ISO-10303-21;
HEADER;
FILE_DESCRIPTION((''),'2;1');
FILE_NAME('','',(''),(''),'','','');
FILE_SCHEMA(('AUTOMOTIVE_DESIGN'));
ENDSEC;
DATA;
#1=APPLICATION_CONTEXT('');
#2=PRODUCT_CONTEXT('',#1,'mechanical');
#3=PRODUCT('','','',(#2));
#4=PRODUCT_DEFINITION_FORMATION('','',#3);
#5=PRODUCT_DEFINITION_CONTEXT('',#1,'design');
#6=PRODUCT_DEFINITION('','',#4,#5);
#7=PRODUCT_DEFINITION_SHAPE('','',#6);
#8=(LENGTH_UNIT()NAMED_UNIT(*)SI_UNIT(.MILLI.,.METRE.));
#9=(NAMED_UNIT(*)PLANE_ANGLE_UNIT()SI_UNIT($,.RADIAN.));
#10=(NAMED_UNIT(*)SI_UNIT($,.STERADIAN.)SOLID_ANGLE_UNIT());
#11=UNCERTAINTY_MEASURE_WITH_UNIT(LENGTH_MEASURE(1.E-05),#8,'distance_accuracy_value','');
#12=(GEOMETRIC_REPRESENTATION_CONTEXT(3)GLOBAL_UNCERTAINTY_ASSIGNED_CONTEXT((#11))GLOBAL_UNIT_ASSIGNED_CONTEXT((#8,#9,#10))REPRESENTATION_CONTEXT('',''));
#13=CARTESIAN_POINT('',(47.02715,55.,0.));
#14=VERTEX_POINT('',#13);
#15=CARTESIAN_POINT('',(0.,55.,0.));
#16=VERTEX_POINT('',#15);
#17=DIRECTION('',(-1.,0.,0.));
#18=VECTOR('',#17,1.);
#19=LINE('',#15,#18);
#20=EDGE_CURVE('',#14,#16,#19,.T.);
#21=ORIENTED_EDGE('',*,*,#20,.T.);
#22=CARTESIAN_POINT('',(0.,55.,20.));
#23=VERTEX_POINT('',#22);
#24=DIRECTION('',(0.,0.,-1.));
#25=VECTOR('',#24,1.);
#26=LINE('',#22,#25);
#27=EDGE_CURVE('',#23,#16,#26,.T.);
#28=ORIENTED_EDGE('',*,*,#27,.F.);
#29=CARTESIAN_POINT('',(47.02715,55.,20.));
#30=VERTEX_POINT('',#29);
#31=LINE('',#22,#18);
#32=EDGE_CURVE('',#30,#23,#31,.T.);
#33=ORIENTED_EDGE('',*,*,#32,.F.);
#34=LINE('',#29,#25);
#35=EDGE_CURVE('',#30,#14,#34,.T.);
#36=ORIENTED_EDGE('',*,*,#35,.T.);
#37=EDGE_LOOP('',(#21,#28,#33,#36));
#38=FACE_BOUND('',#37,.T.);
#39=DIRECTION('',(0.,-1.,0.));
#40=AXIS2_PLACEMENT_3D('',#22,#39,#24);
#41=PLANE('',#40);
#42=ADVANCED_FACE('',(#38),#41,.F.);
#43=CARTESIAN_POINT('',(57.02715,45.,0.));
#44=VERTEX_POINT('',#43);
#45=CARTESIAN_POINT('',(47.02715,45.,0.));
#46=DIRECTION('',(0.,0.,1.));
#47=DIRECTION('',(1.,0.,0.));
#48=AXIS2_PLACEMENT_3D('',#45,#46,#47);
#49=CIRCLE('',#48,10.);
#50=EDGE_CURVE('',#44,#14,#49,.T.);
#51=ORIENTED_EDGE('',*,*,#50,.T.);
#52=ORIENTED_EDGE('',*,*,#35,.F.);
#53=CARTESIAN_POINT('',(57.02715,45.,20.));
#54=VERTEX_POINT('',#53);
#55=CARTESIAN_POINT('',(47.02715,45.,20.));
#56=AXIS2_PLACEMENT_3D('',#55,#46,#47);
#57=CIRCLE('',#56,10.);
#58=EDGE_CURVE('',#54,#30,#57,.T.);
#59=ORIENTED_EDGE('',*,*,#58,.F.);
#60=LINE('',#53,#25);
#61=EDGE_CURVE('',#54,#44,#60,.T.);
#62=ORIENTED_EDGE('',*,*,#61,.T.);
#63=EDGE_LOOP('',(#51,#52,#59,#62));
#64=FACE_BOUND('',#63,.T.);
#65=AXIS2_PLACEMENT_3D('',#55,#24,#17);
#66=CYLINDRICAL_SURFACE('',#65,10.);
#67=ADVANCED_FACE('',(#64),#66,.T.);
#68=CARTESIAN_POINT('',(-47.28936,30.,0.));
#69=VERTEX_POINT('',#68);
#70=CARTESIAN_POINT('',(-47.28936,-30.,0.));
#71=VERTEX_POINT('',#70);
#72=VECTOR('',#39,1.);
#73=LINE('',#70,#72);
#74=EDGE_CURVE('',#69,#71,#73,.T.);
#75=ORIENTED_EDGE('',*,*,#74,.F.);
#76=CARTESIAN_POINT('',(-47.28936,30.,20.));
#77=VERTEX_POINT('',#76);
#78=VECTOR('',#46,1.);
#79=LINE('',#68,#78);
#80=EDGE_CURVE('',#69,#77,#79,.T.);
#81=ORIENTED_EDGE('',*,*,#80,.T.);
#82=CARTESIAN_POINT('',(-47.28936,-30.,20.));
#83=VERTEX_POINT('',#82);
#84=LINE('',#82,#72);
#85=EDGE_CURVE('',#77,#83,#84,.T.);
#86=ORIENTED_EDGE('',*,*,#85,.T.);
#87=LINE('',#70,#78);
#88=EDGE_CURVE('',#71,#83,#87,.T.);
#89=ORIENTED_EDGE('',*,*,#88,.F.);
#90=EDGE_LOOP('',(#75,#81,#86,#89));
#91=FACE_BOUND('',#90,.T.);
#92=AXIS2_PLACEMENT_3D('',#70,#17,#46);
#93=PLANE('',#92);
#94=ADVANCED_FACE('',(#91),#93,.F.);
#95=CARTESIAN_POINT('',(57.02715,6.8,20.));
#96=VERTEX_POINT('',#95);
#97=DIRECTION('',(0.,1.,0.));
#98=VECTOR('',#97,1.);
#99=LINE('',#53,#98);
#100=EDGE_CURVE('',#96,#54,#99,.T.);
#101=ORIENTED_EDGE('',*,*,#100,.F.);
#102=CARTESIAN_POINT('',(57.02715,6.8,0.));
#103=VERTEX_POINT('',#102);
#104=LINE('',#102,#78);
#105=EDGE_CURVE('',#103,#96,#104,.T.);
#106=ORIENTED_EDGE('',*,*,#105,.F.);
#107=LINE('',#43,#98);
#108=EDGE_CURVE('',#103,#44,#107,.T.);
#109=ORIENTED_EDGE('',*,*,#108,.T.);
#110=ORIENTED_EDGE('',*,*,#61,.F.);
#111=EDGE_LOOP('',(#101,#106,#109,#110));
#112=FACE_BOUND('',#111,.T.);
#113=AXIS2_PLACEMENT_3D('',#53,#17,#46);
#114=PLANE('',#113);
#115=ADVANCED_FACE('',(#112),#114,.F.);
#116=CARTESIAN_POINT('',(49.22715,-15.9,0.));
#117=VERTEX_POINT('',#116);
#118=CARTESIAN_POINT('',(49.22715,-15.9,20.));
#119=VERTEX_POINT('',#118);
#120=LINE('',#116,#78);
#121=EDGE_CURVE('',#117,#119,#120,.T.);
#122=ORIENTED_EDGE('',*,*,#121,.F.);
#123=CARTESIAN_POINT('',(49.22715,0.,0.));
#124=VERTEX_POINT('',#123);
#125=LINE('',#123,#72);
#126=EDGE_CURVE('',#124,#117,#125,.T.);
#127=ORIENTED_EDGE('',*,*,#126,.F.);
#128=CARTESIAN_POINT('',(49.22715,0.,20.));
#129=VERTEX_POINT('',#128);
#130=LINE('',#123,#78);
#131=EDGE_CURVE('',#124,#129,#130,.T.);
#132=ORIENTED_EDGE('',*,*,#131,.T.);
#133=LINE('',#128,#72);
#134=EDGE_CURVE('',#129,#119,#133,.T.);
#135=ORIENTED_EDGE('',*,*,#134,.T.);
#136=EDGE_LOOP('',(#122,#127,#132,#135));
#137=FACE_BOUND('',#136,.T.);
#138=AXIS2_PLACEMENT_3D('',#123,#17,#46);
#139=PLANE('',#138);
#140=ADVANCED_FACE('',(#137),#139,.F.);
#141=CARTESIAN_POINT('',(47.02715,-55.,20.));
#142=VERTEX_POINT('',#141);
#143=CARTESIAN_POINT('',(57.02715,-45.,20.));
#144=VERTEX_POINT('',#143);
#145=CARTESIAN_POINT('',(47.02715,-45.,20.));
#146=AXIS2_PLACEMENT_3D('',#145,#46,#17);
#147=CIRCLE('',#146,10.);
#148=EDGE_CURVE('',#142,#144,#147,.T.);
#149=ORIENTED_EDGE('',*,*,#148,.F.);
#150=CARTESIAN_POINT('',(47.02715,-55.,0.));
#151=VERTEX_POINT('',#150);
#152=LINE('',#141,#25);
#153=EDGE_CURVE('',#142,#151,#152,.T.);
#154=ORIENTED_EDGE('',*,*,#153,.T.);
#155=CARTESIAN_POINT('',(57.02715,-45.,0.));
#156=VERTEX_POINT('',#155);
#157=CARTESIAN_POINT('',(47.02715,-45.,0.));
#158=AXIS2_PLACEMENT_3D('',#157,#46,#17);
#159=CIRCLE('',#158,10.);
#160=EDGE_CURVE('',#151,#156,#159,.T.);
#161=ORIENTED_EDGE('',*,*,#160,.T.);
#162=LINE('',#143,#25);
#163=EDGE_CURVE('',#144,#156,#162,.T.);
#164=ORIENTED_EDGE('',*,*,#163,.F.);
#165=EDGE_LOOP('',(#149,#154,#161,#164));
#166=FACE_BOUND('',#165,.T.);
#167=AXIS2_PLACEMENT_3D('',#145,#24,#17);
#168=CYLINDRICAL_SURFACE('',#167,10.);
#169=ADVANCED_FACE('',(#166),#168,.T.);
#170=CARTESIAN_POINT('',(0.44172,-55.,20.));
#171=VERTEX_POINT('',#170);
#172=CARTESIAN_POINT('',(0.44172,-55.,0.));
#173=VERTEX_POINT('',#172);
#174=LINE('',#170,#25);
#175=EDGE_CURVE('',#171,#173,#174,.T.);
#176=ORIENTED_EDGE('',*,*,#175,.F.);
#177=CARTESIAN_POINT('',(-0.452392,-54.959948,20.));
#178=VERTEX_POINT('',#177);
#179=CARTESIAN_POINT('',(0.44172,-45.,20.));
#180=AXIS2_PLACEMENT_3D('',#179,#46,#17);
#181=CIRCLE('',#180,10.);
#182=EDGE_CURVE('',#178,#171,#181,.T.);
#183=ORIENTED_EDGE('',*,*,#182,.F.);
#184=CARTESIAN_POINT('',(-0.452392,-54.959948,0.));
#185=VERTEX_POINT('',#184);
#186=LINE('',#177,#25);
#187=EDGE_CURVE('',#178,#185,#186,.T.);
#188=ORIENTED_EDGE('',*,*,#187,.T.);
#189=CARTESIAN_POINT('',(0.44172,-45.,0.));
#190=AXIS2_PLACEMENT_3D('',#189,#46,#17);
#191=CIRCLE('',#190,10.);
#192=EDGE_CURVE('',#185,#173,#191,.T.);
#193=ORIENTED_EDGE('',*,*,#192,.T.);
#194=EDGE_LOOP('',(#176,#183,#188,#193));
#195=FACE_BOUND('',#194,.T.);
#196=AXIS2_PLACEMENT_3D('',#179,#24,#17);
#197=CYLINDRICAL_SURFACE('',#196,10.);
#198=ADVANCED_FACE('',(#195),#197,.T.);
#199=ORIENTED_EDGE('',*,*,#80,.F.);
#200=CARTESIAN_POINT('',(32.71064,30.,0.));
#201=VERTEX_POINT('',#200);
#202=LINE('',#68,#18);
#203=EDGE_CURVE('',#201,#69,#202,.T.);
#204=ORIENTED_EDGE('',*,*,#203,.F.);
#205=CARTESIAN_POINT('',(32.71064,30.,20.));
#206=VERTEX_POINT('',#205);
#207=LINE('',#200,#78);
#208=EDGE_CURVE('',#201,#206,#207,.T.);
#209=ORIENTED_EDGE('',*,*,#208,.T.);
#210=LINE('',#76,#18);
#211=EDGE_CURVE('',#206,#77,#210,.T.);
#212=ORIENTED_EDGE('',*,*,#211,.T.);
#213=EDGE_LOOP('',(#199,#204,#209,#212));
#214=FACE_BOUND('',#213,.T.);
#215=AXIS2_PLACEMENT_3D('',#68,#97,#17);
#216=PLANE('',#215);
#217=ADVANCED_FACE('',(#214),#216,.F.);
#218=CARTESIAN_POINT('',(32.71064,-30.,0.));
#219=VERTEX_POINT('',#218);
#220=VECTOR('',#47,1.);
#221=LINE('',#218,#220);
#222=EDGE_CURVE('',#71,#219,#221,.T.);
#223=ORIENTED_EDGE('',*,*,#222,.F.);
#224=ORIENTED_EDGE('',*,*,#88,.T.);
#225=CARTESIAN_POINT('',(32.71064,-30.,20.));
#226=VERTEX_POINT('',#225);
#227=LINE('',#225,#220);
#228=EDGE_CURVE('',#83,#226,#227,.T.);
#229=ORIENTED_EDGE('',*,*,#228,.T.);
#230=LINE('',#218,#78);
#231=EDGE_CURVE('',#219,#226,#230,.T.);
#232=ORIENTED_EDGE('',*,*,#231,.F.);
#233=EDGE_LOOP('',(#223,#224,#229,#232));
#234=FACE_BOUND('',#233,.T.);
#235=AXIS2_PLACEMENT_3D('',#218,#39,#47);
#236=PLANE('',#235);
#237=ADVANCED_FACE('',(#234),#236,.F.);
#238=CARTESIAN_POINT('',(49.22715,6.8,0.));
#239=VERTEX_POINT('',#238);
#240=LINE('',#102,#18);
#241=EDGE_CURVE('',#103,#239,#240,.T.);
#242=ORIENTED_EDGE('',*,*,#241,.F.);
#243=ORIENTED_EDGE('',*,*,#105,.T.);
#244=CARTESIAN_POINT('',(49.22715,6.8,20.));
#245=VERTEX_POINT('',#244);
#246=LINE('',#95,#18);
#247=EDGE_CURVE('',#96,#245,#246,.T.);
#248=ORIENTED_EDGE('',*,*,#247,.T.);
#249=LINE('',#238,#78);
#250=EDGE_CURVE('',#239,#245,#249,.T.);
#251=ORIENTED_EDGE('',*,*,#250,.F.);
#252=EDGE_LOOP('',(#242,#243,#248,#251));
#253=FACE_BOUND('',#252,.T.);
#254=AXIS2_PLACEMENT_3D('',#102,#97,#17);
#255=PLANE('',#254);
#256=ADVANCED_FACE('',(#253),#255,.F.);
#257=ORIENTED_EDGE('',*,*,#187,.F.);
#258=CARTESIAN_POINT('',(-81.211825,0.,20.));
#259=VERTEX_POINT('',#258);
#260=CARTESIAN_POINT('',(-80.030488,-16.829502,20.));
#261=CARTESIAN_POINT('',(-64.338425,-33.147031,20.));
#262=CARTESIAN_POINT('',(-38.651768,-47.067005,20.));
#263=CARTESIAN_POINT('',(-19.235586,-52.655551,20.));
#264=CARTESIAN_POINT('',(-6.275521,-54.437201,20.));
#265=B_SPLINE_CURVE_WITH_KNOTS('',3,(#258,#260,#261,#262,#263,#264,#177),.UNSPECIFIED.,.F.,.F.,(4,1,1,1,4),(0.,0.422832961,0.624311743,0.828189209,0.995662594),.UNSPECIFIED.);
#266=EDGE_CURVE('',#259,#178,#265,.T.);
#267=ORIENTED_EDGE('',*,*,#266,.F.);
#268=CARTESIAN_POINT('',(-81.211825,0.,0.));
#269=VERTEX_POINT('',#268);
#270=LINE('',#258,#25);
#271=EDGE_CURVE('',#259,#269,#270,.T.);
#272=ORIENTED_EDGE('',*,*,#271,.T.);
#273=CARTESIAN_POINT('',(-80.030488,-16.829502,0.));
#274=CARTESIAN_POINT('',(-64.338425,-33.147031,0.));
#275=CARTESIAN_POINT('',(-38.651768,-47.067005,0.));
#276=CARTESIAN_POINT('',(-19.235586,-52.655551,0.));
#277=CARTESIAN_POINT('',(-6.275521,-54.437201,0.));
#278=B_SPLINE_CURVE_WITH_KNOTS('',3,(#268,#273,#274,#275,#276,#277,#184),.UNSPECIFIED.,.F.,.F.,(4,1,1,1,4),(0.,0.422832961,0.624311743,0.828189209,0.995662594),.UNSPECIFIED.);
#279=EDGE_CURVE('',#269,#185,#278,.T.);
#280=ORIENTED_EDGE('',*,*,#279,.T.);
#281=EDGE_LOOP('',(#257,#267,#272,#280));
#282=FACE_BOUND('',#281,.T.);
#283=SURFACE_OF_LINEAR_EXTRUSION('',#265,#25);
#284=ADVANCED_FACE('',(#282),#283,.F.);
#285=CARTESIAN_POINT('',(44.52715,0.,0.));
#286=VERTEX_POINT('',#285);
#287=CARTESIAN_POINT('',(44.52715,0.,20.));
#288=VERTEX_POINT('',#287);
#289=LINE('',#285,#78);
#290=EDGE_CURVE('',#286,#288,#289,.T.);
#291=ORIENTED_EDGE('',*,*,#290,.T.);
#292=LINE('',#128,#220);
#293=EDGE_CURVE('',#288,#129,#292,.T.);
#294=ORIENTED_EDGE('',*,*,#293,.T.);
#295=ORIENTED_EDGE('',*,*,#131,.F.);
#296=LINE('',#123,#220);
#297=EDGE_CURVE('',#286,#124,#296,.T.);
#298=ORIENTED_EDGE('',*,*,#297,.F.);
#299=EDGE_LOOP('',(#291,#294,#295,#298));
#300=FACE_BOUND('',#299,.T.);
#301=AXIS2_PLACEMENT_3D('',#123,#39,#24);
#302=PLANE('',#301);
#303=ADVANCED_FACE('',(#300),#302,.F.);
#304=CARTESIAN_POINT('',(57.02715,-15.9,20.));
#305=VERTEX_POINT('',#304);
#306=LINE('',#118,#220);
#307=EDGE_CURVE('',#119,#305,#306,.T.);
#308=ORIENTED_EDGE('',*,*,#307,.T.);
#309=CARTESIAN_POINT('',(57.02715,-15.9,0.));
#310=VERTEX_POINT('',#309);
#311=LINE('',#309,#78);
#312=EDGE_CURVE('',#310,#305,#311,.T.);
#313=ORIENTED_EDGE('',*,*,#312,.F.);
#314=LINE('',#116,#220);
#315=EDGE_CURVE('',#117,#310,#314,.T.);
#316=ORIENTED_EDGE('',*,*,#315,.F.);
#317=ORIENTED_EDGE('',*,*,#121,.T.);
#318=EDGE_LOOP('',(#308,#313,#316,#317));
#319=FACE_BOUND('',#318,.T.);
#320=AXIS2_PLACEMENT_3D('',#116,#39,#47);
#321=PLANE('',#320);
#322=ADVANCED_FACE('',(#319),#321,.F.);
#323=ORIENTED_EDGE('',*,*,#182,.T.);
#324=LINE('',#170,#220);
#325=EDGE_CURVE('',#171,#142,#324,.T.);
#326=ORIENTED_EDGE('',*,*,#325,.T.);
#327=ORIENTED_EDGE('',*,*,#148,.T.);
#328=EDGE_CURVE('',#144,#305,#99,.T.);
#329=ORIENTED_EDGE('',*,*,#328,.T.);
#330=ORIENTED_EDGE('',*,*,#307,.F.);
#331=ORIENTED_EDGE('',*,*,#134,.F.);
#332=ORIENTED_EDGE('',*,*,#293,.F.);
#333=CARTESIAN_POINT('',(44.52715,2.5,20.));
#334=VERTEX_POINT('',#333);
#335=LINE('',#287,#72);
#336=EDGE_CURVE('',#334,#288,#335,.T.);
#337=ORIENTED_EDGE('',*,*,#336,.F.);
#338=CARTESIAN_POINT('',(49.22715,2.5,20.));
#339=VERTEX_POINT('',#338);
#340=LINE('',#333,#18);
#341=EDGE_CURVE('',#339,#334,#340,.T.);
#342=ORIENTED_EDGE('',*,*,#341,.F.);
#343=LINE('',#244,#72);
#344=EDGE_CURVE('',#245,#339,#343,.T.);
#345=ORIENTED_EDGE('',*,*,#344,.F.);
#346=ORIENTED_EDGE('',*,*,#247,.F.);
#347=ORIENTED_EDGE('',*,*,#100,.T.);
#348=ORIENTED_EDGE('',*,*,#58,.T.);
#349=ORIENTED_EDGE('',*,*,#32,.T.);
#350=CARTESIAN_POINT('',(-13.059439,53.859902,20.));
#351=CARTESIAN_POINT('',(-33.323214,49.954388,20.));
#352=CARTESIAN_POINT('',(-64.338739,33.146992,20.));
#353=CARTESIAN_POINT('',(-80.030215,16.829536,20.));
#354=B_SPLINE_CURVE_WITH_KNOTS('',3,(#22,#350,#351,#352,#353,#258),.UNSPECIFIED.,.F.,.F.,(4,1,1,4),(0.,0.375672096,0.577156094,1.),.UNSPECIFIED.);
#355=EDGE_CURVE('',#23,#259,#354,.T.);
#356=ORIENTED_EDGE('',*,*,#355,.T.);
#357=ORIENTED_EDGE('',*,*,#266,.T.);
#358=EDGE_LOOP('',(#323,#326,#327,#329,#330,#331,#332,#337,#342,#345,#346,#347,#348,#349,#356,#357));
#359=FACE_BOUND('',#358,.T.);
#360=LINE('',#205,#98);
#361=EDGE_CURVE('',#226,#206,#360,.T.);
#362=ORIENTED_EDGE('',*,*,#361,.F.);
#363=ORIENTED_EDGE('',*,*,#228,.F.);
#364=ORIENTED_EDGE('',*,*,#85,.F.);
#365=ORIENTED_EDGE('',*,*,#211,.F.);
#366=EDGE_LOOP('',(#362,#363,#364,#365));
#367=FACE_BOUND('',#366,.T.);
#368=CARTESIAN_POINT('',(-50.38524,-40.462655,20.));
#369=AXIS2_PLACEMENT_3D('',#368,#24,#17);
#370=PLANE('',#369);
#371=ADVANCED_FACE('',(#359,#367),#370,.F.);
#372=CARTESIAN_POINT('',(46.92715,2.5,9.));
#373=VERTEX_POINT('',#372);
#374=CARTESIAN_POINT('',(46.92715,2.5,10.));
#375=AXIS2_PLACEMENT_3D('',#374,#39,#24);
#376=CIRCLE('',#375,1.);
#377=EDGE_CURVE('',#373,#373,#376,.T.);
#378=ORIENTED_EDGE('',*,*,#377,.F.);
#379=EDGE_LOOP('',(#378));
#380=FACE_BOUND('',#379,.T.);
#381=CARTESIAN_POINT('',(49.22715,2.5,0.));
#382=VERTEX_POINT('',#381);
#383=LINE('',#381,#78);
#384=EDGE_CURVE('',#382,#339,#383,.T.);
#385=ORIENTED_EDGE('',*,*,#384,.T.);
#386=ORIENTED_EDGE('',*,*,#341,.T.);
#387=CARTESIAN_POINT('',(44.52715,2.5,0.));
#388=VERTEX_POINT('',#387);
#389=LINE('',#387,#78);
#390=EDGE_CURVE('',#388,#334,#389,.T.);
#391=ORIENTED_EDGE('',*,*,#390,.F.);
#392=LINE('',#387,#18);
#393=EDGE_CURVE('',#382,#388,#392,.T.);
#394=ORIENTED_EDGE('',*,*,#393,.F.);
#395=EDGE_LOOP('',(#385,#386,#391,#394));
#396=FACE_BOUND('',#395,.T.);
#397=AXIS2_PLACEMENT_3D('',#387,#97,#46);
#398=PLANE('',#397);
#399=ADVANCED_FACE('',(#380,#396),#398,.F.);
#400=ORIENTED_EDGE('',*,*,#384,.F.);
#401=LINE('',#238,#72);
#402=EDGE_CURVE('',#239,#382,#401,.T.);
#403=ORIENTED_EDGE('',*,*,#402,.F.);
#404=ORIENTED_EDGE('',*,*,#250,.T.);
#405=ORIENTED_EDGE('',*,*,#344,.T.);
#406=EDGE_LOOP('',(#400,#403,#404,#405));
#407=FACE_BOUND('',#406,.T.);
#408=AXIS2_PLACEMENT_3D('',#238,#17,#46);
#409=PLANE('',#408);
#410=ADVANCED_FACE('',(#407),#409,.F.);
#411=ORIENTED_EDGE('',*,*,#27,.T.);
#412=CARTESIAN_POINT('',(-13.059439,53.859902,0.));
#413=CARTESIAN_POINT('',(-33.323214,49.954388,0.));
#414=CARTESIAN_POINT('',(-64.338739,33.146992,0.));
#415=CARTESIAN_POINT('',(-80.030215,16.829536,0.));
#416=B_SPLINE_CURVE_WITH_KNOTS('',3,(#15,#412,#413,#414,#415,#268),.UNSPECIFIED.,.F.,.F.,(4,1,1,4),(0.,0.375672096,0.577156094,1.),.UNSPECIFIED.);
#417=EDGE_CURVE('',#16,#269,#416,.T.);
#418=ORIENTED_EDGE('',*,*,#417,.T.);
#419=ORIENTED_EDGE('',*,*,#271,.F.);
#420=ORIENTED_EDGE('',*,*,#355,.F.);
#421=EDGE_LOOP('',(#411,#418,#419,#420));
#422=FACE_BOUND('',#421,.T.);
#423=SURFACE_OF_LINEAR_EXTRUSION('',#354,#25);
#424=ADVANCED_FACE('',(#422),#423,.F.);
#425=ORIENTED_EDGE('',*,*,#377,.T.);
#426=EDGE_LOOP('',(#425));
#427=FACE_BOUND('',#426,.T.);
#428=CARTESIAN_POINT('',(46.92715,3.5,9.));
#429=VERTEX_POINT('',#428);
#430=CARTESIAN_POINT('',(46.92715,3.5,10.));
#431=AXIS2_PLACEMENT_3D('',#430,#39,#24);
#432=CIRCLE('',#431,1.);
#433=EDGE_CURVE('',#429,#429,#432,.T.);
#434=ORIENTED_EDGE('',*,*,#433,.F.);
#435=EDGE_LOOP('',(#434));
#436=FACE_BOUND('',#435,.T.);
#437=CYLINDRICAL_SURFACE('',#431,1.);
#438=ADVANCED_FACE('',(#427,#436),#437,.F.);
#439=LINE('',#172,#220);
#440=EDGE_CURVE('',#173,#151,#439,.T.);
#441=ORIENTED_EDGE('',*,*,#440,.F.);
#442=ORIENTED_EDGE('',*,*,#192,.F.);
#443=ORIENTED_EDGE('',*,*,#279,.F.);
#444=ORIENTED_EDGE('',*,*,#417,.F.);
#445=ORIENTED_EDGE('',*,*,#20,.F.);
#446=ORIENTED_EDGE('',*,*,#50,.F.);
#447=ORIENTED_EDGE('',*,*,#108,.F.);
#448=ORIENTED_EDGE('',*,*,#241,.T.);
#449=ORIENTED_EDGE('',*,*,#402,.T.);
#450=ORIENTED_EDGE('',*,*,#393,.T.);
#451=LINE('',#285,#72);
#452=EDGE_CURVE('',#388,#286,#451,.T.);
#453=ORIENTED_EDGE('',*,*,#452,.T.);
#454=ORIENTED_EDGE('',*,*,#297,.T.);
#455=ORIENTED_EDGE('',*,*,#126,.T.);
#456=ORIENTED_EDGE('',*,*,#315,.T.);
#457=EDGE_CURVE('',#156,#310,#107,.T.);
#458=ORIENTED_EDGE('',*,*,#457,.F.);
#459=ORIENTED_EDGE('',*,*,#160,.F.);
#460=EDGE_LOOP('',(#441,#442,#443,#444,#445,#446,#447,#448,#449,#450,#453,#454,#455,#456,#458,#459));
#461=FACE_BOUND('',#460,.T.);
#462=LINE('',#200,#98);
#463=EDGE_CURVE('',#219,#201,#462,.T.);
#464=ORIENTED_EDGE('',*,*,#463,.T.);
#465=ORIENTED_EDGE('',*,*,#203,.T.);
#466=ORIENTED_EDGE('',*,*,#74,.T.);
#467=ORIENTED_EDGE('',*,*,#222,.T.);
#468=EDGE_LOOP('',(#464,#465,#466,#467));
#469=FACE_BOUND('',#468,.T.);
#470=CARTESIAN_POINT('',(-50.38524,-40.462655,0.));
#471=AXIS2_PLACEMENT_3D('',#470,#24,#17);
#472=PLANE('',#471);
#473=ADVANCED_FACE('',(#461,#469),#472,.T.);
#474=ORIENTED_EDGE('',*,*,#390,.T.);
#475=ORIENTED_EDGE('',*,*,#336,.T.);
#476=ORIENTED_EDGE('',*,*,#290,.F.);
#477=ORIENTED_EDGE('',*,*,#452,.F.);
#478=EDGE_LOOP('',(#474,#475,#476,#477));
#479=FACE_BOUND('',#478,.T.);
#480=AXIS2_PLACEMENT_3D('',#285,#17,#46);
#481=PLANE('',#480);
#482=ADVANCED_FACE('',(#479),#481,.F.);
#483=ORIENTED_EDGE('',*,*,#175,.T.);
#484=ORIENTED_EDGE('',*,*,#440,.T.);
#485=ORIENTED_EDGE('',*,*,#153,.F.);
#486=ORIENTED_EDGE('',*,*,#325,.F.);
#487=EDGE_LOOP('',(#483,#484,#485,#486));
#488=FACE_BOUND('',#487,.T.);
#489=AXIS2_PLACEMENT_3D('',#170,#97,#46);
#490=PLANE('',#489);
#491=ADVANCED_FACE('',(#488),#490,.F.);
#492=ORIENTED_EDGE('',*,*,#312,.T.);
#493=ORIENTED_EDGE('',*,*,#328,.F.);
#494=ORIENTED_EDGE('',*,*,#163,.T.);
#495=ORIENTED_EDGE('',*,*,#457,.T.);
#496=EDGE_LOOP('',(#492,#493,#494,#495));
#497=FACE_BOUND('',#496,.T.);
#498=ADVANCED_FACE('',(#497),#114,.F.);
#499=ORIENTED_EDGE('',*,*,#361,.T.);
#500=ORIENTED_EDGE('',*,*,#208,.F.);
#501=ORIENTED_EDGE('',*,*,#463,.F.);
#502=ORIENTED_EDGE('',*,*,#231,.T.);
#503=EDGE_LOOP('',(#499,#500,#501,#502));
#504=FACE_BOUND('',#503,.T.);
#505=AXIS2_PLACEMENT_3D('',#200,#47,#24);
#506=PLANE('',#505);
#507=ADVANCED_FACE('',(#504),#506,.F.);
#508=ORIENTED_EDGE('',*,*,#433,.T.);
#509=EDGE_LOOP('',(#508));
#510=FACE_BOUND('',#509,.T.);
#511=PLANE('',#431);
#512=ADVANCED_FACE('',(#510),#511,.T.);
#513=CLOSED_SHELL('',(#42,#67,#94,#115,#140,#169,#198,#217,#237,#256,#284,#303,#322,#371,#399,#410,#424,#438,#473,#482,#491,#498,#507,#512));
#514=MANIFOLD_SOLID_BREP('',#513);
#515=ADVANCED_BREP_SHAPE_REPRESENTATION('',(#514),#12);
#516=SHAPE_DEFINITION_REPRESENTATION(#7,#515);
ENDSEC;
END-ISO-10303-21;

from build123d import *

# Parameters (mm, degrees)
BOSS_EXTRUDE1_DEPTH = 20
SKETCH2_W           = 80
SKETCH2_H           = 60
CUT_EXTRUDE1_DEPTH  = 20
CUT_EXTRUDE2_DEPTH  = 20
SKETCH5_R           = 1
CUT_EXTRUDE4_DEPTH  = 1


with BuildPart() as part:
    # Sketch1 → Boss-Extrude1 (new body)
    with BuildSketch(Plane.XY):
        with BuildLine():
            Line((0, 55), (47.027150271, 55))
            ThreePointArc((47.027150271, 55), (54.098218083, 52.071067812), (57.027150271, 45))
            Line((57.027150271, 45), (57.027150271, -45))
            ThreePointArc((57.027150271, -45), (54.098218083, -52.071067812), (47.027150271, -55))
            Line((47.027150271, -55), (0.441720212, -55))
            ThreePointArc((0.441720212, -55), (-0.005784399, -54.989981963), (-0.452392388, -54.959947924))
            add(Edge.make_bspline(
                [(-81.211824921, 0), (-80.030487626, -16.829502098), (-64.338425338, -33.147030622), (-38.651767748, -47.067005008), (-19.235585963, -52.655551102), (-6.275521273, -54.437200923), (-0.452392388, -54.959947924)],
                knots=[0, 0, 0, 0, 0.422832961, 0.624311743, 0.828189209, 0.995662594, 0.995662594, 0.995662594, 0.995662594], degree=3))
            add(Edge.make_bspline(
                [(-81.211824921, 0), (-80.03021452, 16.829535827), (-64.338739167, 33.146991864), (-33.323213758, 49.95438824), (-13.059438762, 53.859901845), (0, 55)],
                knots=[0, 0, 0, 0, 0.422843906, 0.624327904, 1, 1, 1, 1], degree=3))
        make_face()
    extrude(amount=BOSS_EXTRUDE1_DEPTH)

    # Sketch2 → Cut-Extrude1 (cut)
    with BuildSketch(Plane.XY.offset(20)):
        with Locations((-7.289359696, 0)):
            Rectangle(SKETCH2_W, SKETCH2_H)
    extrude(amount=-CUT_EXTRUDE1_DEPTH, mode=Mode.SUBTRACT)

    # Sketch3 → Cut-Extrude2 (cut)
    with BuildSketch(Plane.XY.offset(20)):
        Polygon((57.027150271, 6.8), (49.227150271, 6.8), (49.227150271, 2.5), (44.527150271, 2.5), (44.527150271, 0), (49.227150271, 0), (49.227150271, -15.9), (57.027150271, -15.9), align=None)
    extrude(amount=-CUT_EXTRUDE2_DEPTH, mode=Mode.SUBTRACT)

    # Sketch5 → Cut-Extrude4 (cut)
    with BuildSketch(Plane.XZ.offset(-2.5)):
        with Locations((46.927150271, 10)):
            Circle(SKETCH5_R)
    extrude(amount=-CUT_EXTRUDE4_DEPTH, mode=Mode.SUBTRACT)


solid = part.part
